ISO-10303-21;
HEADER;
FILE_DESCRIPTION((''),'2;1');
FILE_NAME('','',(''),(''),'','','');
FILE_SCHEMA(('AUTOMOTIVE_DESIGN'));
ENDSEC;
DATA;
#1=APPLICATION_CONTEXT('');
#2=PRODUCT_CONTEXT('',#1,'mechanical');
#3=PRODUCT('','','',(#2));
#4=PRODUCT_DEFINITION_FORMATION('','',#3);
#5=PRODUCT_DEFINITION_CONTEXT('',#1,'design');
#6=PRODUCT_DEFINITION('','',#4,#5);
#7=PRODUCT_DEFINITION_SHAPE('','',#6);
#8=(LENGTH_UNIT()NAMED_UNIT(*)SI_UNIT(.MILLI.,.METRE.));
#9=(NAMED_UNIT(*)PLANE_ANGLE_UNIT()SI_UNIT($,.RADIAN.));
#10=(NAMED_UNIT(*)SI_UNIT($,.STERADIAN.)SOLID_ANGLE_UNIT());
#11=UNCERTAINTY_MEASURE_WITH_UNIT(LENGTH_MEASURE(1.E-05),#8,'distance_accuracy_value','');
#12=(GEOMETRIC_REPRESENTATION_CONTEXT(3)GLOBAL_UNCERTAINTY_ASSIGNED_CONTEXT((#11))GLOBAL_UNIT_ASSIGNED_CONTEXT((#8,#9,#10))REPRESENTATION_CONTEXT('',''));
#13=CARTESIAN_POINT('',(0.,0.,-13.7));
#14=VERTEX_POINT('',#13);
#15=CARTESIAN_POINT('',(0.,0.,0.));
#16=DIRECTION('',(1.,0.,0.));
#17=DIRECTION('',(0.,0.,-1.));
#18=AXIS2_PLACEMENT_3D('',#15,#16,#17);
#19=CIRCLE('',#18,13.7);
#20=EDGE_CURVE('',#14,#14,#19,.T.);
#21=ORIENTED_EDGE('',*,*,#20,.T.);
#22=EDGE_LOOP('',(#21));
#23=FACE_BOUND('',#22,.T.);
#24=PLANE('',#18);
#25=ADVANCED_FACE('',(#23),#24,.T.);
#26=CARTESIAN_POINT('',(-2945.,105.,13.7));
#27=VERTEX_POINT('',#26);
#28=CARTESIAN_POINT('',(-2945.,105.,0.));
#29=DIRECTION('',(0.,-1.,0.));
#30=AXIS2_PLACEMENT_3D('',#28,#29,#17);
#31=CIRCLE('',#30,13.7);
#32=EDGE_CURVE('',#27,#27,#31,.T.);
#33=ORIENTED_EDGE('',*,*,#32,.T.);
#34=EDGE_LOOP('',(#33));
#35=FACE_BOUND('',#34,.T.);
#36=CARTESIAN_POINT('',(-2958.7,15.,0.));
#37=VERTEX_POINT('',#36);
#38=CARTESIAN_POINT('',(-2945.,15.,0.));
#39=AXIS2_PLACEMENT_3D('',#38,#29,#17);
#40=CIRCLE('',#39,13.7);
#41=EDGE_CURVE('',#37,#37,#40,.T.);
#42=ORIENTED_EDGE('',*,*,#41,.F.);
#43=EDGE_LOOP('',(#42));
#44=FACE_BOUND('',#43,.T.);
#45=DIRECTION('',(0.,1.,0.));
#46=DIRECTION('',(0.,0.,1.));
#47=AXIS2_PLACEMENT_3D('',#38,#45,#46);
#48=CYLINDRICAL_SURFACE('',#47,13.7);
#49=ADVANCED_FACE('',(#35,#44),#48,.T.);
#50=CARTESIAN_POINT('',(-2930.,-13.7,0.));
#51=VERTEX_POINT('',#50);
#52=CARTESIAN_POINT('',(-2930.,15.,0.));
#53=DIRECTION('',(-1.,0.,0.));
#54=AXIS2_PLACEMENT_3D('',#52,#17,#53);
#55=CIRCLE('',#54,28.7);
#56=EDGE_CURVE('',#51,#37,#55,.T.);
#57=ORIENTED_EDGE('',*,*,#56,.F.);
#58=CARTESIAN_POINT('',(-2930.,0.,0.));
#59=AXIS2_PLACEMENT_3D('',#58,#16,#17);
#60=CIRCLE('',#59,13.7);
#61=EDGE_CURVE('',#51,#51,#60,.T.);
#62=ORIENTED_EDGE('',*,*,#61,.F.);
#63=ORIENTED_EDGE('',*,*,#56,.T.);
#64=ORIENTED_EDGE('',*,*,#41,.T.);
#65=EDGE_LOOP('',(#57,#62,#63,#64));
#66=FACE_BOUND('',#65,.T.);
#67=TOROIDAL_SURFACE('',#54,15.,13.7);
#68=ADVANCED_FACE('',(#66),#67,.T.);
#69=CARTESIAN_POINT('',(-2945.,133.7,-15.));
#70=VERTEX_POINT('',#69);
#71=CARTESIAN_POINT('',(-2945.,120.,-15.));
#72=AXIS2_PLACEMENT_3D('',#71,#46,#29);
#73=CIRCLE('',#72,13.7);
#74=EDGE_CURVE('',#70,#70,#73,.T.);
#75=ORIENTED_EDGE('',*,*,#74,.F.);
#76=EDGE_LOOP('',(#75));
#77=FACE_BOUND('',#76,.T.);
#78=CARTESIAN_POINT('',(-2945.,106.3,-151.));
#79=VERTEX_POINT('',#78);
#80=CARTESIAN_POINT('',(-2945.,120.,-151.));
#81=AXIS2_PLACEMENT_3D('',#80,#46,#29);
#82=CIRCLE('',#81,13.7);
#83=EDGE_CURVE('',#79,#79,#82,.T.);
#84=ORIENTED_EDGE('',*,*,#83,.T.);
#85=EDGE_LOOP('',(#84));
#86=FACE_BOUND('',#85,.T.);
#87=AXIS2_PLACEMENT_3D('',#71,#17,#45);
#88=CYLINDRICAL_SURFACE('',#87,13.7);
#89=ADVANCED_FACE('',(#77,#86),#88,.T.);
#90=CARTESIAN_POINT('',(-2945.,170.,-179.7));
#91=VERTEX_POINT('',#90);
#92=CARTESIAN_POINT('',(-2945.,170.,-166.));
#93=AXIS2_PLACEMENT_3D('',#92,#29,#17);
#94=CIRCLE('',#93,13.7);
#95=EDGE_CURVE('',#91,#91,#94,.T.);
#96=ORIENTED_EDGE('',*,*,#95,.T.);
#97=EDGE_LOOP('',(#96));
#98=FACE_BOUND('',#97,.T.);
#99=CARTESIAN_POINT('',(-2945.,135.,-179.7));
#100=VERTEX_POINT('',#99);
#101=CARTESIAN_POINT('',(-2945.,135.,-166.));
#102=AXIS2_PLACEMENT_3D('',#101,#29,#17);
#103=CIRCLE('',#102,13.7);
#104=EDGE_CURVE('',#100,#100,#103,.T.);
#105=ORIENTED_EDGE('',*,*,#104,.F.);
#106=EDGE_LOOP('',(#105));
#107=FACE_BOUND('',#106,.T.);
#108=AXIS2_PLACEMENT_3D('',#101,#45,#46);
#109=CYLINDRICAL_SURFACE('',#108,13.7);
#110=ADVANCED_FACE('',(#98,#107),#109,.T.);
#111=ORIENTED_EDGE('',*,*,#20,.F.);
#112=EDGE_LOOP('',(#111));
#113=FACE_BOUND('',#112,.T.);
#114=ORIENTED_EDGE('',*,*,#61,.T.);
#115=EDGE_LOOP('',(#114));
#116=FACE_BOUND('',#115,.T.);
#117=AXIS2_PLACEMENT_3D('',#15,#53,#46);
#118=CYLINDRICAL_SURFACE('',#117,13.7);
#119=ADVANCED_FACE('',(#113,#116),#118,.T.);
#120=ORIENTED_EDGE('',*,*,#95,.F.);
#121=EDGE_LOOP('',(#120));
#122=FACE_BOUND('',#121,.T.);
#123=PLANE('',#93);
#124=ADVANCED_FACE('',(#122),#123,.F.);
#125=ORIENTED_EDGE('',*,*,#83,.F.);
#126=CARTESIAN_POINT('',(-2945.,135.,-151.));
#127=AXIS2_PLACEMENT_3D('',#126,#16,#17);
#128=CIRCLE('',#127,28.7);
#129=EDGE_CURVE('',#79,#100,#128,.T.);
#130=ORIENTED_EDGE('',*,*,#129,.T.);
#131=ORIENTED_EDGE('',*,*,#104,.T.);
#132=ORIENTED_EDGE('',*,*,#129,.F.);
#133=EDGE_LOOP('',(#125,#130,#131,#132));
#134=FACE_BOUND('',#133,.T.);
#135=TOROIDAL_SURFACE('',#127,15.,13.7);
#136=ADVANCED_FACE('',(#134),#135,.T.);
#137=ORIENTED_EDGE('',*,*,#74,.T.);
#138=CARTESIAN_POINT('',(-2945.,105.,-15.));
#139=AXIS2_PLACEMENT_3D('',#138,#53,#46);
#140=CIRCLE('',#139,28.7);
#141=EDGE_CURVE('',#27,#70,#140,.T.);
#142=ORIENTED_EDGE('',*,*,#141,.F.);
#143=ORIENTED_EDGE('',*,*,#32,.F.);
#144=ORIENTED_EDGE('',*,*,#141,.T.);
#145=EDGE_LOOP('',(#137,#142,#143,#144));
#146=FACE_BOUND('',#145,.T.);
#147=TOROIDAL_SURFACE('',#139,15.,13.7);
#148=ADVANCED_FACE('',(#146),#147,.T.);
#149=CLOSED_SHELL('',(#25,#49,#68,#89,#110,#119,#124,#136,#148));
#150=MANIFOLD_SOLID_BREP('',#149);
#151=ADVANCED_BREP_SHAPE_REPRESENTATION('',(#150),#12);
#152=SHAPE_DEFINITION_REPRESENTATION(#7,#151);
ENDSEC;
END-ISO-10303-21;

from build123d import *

# Parameters (mm, degrees)
CROQUIS1_R = 13.7


with BuildPart() as part:
    # Barrer1: sweep along a curve in space
    with BuildLine() as barrer1_path:
        Line((0, 0, 0), (-2930, 0, 0))
        ThreePointArc((-2930, 0, 0), (-2940.606601718, 4.393398282, 0), (-2945, 15, 0))
        Line((-2945, 15, 0), (-2945, 105, 0))
        ThreePointArc((-2945, 105, 0), (-2945, 115.606601718, -4.393398282), (-2945, 120, -15))
        Line((-2945, 120, -15), (-2945, 120, -151))
        ThreePointArc((-2945, 120, -151), (-2945, 124.393398282, -161.606601718), (-2945, 135, -166))
        Line((-2945, 135, -166), (-2945, 170, -166))
    # Croquis1 → Barrer1 (sweep)
    with BuildSketch(Plane(origin=(0, 0, 0), x_dir=(0, 0, -1), z_dir=(1, 0, 0))):
        Circle(CROQUIS1_R)
    sweep(path=barrer1_path.line)


solid = part.part
